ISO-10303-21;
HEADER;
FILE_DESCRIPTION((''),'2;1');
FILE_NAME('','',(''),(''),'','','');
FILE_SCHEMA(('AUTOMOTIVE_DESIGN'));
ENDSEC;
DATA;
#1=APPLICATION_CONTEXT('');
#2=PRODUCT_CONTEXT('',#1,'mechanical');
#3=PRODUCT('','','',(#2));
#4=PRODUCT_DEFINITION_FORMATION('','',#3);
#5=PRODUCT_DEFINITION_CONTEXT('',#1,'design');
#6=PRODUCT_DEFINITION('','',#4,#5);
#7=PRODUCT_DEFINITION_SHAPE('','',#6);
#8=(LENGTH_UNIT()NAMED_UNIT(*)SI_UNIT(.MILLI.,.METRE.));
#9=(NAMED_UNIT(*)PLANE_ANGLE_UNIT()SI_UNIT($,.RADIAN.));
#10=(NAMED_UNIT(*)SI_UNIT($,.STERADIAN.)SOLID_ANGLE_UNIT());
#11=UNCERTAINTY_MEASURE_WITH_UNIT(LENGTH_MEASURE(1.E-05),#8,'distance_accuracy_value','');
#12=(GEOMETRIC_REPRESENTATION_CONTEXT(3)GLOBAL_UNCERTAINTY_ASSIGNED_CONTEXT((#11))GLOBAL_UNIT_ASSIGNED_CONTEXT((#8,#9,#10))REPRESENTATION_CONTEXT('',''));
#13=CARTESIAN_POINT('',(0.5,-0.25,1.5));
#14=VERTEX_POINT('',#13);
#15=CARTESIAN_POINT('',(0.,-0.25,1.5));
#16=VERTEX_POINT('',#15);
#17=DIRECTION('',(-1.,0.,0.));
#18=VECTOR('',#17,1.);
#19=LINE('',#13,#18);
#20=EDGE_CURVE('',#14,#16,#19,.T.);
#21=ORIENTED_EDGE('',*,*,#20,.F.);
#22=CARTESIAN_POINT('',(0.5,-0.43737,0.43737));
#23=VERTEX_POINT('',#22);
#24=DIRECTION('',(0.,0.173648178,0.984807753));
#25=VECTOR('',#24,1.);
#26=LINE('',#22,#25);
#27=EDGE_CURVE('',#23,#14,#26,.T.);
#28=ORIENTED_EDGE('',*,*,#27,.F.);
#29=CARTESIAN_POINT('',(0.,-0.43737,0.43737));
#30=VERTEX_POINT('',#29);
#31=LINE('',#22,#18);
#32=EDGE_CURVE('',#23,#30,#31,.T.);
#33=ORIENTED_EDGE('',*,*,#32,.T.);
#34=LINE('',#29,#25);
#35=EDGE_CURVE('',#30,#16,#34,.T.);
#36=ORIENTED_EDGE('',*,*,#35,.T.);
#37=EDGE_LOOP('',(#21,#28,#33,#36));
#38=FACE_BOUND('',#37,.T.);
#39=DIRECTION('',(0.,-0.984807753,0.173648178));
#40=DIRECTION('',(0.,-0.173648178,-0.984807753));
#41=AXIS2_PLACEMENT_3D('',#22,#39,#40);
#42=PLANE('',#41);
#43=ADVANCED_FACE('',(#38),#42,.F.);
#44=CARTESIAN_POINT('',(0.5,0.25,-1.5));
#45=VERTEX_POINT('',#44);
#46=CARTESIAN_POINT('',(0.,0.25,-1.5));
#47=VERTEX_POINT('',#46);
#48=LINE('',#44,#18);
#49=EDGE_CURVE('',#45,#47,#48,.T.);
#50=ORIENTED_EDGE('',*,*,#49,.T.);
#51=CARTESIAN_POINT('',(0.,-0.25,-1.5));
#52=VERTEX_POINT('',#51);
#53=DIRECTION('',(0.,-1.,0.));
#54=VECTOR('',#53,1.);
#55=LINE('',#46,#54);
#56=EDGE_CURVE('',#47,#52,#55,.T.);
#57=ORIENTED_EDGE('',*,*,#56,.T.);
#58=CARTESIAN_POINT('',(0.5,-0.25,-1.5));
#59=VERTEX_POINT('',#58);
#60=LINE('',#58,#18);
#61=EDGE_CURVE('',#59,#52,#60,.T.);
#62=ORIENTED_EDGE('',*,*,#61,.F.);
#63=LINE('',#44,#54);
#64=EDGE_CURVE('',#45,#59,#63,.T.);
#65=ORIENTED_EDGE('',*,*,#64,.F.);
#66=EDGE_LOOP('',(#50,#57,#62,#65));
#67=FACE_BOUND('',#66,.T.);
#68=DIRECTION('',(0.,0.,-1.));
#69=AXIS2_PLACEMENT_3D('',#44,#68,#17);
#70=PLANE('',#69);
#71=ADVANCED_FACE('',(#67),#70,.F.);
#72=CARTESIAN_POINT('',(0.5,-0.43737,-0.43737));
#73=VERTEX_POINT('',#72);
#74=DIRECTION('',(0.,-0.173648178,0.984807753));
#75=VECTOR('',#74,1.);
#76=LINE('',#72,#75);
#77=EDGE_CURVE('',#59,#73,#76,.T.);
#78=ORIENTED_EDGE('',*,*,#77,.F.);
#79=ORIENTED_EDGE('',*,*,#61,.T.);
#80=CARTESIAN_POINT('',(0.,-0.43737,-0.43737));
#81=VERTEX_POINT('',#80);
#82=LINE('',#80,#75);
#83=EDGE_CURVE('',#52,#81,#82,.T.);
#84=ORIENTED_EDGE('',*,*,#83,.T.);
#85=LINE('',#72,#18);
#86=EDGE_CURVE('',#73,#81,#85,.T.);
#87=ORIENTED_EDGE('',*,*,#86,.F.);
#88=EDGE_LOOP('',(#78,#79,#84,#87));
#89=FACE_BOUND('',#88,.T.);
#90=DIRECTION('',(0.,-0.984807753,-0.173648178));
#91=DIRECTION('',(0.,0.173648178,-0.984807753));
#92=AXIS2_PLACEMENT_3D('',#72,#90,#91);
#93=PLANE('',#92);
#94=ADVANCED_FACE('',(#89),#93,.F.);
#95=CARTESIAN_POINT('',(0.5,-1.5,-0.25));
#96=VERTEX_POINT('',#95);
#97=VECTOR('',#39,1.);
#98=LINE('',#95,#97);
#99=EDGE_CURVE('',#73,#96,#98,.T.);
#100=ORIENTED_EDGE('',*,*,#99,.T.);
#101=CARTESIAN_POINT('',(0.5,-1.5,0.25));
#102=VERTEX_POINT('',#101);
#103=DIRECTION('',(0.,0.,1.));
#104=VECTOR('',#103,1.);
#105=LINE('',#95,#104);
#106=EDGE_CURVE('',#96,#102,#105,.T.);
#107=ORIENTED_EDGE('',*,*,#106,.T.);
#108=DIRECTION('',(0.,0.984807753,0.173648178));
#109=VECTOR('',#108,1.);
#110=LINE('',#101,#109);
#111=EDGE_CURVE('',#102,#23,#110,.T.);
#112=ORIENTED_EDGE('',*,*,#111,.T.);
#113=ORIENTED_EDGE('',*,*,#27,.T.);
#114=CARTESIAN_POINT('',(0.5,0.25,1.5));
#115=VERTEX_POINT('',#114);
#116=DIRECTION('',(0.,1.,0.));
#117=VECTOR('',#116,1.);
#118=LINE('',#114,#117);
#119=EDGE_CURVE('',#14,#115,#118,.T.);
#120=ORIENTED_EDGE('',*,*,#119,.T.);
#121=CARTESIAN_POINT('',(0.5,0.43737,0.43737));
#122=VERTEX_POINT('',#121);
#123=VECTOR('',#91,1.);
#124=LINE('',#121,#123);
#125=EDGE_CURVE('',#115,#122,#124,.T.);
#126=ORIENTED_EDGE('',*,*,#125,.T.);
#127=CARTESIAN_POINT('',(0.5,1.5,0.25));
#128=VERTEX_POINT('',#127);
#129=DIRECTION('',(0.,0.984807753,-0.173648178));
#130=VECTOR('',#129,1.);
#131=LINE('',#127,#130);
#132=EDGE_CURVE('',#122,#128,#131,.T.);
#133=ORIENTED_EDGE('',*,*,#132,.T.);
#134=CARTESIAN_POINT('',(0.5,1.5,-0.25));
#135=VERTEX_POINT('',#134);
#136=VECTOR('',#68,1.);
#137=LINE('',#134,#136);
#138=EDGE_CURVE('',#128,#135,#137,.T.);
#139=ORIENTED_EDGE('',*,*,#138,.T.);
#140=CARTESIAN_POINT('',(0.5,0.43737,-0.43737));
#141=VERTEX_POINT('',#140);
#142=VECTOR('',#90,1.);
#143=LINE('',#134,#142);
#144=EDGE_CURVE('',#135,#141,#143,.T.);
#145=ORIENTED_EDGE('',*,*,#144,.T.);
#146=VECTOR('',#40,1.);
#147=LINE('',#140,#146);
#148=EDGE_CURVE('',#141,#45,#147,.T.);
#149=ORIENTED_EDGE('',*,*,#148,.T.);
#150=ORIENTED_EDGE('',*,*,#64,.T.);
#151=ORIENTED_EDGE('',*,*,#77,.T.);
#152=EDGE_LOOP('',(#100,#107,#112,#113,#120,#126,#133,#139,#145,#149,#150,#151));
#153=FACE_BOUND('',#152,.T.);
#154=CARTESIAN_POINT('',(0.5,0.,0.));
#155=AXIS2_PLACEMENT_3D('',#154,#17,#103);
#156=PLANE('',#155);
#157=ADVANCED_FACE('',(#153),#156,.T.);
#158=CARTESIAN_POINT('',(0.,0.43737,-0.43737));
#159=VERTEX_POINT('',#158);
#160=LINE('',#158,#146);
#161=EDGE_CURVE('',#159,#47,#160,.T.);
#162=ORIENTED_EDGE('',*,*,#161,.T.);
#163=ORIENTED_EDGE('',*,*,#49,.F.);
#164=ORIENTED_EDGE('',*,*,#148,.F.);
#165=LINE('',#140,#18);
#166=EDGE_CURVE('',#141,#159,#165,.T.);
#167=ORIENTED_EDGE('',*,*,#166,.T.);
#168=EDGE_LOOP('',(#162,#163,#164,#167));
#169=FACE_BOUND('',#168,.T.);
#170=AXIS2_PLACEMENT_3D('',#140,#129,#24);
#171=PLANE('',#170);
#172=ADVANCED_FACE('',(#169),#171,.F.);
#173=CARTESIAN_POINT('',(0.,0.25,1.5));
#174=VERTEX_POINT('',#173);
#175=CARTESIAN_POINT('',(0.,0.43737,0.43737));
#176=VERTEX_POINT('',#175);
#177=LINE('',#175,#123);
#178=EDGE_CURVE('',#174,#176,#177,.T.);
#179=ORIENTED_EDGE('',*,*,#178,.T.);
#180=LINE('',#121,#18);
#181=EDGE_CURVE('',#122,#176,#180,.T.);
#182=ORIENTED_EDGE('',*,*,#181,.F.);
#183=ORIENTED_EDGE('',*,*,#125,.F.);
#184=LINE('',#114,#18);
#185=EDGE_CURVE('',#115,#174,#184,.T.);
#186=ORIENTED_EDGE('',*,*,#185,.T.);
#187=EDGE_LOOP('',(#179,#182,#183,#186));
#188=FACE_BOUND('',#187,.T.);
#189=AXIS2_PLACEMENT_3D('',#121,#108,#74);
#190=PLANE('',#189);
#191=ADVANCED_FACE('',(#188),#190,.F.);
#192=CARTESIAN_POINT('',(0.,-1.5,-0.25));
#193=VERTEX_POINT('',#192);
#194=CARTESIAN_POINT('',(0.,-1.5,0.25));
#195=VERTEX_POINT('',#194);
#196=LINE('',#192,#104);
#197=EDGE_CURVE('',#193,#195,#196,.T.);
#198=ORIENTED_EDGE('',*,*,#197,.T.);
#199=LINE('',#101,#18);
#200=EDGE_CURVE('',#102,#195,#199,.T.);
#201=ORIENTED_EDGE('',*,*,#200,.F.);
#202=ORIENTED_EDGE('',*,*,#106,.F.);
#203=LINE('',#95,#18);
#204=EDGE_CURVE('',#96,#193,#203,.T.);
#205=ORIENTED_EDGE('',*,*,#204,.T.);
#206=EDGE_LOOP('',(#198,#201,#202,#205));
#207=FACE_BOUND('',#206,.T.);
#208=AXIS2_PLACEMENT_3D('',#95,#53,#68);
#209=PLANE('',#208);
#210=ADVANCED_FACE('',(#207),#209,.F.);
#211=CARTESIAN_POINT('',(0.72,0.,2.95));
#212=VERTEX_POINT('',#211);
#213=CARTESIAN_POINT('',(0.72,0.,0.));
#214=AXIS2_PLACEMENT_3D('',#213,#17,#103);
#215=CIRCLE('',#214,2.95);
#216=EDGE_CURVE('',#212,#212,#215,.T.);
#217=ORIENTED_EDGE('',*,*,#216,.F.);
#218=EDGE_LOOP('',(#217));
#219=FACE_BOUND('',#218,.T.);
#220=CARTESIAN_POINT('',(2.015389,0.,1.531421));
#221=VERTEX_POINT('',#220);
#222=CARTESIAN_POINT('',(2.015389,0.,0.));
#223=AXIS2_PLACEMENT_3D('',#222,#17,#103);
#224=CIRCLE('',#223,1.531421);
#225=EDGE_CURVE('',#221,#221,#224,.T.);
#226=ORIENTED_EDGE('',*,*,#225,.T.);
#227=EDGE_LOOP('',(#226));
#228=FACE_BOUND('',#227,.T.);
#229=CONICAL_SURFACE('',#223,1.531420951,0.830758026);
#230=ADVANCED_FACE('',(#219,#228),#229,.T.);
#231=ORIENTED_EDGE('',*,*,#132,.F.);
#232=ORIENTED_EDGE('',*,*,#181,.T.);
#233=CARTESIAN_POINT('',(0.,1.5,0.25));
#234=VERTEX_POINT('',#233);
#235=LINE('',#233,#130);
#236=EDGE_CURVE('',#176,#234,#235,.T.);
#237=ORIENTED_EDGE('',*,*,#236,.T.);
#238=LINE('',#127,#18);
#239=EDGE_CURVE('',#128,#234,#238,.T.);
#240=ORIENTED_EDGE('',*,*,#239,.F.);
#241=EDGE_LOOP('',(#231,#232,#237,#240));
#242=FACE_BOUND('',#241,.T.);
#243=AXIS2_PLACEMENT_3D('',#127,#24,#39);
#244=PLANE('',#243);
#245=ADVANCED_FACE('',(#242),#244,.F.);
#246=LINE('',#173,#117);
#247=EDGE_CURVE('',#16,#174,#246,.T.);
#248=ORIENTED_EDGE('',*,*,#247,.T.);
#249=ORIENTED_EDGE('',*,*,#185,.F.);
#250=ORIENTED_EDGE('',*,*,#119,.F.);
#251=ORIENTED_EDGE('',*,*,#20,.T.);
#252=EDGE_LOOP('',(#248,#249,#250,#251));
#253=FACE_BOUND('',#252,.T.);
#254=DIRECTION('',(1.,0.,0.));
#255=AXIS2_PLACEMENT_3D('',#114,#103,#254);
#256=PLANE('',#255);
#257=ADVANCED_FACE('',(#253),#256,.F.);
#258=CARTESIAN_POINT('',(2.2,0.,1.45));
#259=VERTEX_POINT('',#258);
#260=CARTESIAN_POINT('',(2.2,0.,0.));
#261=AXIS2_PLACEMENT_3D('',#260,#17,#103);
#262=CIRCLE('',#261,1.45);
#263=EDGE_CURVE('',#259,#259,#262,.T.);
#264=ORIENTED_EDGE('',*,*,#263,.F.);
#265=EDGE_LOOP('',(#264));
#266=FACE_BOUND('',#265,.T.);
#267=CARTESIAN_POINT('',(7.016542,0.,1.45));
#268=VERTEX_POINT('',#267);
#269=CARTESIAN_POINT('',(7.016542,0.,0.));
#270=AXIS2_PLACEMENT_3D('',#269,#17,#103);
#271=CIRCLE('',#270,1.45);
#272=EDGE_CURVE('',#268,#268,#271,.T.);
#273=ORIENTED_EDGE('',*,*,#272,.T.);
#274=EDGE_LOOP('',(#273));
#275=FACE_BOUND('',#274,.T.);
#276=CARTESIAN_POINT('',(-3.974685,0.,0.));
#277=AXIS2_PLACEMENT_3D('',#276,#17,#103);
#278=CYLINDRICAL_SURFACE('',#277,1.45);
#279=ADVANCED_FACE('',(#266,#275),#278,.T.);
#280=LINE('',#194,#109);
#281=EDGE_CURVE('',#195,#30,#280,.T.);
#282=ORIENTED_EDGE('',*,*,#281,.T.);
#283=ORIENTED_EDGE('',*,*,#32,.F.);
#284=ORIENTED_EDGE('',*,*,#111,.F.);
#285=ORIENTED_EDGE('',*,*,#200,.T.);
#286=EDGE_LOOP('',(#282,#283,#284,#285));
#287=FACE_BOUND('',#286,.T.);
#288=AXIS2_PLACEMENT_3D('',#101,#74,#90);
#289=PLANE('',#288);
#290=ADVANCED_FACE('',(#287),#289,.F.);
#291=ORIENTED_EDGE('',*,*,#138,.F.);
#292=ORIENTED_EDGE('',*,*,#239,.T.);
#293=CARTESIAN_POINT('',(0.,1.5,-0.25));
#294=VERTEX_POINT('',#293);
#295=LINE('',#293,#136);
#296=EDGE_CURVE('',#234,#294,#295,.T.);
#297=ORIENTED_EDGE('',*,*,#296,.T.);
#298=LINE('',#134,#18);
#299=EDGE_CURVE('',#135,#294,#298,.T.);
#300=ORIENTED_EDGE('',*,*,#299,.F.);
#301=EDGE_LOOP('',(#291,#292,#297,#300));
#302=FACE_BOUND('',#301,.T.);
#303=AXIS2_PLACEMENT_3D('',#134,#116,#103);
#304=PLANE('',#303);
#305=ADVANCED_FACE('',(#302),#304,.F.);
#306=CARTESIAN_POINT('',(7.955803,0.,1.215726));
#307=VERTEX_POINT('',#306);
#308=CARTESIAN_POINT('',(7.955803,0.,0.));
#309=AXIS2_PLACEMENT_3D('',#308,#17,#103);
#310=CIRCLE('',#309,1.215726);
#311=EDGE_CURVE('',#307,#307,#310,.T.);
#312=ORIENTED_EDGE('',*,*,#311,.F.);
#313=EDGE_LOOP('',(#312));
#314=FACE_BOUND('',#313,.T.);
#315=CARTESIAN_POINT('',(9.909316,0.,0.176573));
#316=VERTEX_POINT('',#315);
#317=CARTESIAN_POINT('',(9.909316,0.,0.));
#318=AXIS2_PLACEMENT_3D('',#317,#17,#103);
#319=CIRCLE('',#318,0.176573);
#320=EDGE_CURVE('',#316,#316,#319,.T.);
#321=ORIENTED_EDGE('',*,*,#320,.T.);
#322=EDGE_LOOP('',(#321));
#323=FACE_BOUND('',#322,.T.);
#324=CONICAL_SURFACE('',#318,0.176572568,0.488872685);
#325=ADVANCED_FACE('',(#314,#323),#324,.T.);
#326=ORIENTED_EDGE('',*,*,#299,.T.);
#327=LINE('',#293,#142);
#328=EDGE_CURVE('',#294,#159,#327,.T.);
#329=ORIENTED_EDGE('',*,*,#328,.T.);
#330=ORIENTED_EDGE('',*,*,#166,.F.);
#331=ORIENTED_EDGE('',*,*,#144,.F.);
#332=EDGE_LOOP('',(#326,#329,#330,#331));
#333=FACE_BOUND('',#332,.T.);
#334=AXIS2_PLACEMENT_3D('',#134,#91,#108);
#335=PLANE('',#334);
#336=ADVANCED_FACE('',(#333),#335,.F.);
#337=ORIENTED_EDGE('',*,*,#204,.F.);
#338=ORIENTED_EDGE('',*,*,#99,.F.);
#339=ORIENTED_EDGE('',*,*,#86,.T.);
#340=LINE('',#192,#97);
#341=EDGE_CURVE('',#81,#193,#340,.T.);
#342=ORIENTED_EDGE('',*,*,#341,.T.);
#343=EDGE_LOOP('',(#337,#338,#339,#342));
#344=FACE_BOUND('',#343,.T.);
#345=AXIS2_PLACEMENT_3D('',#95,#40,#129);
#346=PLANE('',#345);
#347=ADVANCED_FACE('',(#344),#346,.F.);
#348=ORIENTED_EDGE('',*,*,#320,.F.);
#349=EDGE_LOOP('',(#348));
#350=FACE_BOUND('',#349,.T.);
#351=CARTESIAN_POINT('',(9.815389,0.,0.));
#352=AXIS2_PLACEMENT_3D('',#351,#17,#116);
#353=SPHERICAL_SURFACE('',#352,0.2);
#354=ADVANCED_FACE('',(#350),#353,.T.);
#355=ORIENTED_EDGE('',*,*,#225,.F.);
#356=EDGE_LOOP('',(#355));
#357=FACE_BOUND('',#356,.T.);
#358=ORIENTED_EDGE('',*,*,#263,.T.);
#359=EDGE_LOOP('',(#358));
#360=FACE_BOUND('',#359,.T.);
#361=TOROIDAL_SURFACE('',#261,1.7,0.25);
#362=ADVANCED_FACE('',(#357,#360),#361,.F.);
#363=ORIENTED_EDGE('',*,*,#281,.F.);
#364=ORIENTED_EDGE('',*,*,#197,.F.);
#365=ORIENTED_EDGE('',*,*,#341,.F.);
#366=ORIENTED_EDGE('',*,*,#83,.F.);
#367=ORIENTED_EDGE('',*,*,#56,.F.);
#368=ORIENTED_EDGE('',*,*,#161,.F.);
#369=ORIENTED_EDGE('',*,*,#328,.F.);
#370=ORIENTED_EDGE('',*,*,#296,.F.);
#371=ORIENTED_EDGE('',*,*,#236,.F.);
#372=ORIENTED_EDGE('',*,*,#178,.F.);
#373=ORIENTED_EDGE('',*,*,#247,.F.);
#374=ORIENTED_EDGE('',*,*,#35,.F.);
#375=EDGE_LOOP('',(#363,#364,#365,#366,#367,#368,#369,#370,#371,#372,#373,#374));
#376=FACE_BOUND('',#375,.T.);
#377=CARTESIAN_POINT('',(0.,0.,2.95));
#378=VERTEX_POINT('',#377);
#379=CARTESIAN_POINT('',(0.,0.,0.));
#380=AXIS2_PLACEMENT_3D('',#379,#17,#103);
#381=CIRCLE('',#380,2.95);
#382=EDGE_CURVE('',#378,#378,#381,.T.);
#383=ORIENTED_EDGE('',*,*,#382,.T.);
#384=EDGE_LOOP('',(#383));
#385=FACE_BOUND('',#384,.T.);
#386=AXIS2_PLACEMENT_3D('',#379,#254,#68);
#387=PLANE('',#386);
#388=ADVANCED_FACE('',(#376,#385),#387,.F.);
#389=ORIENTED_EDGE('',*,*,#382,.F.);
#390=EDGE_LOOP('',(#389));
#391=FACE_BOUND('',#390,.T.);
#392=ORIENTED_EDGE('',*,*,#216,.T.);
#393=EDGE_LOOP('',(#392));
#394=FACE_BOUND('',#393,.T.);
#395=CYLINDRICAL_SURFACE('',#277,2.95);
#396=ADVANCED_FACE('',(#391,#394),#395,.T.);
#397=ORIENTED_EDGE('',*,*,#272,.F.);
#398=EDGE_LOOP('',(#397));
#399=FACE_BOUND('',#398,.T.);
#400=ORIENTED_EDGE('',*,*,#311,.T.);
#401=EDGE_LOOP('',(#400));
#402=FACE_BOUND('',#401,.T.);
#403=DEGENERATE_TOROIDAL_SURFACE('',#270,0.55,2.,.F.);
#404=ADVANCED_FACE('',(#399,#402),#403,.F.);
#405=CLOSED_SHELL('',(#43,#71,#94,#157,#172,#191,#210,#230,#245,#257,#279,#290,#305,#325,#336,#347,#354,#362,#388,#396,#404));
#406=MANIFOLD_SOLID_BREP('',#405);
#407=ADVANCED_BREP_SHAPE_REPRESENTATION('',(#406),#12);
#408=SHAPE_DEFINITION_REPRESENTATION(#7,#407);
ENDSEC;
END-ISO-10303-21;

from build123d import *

# Parameters (mm, degrees)
CUT_EXTRUDE1_DEPTH = 0.5


with BuildPart() as part:
    # Sketch1 → Revolve1 (revolve)
    with BuildSketch(Plane.XY):
        with BuildLine():
            Line((0, 0), (0, 2.95))
            Line((0, 2.95), (0.72, 2.95))
            Line((0.72, 2.95), (2.015389317, 1.531420951))
            ThreePointArc((2.015389317, 1.531420951), (2.099115814, 1.47125914), (2.2, 1.45))
            Line((2.2, 1.45), (7.016541593, 1.45))
            ThreePointArc((7.016541593, 1.45), (7.500560514, 1.390547779), (7.955803436, 1.215725683))
            Line((7.955803436, 1.215725683), (9.909315501, 0.176572568))
            ThreePointArc((9.909315501, 0.176572568), (9.986832072, 0.102992143), (10.015389317, 0))
            Line((10.015389317, 0), (0, 0))
        make_face()
    revolve(axis=Axis((-3.974685283, 0, 0), (1, 0, 0)))

    # Sketch2 → Cut-Extrude1 (cut)
    with BuildSketch(Plane.ZY):
        Polygon((-0.25, 1.5), (0.25, 1.5), (0.437370289, 0.437370289), (1.5, 0.25), (1.5, -0.25), (0.437370289, -0.437370289), (0.25, -1.5), (-0.25, -1.5), (-0.437370289, -0.437370289), (-1.5, -0.25), (-1.5, 0.25), (-0.437370289, 0.437370289), align=None)
    extrude(amount=-CUT_EXTRUDE1_DEPTH, mode=Mode.SUBTRACT)


solid = part.part
